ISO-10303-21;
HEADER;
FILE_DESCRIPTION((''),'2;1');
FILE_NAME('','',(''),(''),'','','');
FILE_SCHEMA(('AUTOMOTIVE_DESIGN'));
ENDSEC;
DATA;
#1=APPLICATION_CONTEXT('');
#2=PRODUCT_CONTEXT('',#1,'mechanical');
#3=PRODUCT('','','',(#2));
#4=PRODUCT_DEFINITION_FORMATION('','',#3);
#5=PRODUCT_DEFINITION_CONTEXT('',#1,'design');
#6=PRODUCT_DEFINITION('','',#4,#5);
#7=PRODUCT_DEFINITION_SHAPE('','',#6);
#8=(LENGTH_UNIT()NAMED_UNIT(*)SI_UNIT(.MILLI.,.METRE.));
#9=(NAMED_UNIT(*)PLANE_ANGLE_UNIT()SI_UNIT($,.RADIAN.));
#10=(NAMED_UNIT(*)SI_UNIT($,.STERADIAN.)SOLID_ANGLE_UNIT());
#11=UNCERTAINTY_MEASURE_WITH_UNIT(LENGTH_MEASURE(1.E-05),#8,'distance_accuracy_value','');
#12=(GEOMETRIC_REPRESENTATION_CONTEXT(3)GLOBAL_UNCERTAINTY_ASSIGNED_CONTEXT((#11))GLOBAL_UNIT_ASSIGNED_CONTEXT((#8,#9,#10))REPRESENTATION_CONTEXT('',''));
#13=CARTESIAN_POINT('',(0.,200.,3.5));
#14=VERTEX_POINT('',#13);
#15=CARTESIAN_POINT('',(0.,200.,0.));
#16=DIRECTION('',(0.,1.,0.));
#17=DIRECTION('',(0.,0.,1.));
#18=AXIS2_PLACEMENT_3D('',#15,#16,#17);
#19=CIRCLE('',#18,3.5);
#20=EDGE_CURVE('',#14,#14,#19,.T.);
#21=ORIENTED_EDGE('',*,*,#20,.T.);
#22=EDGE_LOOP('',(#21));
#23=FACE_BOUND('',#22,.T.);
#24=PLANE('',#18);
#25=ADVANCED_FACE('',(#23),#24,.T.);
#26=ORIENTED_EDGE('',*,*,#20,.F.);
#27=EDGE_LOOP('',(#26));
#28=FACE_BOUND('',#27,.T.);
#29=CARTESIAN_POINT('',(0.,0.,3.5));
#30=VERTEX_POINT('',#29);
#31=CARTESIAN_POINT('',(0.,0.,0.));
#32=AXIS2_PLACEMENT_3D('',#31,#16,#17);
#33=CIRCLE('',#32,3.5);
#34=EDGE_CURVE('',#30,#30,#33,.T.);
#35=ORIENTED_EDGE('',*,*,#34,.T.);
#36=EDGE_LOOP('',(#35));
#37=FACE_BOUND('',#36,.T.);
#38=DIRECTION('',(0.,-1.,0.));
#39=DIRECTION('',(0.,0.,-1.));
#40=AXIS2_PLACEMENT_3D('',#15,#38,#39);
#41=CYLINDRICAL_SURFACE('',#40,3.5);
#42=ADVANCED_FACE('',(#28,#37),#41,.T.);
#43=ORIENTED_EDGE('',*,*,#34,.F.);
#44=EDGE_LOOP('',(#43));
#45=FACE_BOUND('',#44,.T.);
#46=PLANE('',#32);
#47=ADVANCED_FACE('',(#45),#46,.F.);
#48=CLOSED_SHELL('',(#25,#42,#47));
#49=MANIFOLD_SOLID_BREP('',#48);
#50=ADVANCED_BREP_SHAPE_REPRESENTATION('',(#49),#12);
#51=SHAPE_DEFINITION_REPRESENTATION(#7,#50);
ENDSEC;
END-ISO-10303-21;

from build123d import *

# Parameters (mm, degrees)
SKETCH1_R           = 3.5
BOSS_EXTRUDE1_DEPTH = 200


with BuildPart() as part:
    # Sketch1 → Boss-Extrude1 (new body)
    with BuildSketch(Plane(origin=(0, 0, 0), x_dir=(1, 0, 0), z_dir=(0, 1, 0))):
        with Locations(Location((0, 0, 0), (0, 0, 270))):
            Circle(SKETCH1_R)
    extrude(amount=BOSS_EXTRUDE1_DEPTH)


solid = part.part
